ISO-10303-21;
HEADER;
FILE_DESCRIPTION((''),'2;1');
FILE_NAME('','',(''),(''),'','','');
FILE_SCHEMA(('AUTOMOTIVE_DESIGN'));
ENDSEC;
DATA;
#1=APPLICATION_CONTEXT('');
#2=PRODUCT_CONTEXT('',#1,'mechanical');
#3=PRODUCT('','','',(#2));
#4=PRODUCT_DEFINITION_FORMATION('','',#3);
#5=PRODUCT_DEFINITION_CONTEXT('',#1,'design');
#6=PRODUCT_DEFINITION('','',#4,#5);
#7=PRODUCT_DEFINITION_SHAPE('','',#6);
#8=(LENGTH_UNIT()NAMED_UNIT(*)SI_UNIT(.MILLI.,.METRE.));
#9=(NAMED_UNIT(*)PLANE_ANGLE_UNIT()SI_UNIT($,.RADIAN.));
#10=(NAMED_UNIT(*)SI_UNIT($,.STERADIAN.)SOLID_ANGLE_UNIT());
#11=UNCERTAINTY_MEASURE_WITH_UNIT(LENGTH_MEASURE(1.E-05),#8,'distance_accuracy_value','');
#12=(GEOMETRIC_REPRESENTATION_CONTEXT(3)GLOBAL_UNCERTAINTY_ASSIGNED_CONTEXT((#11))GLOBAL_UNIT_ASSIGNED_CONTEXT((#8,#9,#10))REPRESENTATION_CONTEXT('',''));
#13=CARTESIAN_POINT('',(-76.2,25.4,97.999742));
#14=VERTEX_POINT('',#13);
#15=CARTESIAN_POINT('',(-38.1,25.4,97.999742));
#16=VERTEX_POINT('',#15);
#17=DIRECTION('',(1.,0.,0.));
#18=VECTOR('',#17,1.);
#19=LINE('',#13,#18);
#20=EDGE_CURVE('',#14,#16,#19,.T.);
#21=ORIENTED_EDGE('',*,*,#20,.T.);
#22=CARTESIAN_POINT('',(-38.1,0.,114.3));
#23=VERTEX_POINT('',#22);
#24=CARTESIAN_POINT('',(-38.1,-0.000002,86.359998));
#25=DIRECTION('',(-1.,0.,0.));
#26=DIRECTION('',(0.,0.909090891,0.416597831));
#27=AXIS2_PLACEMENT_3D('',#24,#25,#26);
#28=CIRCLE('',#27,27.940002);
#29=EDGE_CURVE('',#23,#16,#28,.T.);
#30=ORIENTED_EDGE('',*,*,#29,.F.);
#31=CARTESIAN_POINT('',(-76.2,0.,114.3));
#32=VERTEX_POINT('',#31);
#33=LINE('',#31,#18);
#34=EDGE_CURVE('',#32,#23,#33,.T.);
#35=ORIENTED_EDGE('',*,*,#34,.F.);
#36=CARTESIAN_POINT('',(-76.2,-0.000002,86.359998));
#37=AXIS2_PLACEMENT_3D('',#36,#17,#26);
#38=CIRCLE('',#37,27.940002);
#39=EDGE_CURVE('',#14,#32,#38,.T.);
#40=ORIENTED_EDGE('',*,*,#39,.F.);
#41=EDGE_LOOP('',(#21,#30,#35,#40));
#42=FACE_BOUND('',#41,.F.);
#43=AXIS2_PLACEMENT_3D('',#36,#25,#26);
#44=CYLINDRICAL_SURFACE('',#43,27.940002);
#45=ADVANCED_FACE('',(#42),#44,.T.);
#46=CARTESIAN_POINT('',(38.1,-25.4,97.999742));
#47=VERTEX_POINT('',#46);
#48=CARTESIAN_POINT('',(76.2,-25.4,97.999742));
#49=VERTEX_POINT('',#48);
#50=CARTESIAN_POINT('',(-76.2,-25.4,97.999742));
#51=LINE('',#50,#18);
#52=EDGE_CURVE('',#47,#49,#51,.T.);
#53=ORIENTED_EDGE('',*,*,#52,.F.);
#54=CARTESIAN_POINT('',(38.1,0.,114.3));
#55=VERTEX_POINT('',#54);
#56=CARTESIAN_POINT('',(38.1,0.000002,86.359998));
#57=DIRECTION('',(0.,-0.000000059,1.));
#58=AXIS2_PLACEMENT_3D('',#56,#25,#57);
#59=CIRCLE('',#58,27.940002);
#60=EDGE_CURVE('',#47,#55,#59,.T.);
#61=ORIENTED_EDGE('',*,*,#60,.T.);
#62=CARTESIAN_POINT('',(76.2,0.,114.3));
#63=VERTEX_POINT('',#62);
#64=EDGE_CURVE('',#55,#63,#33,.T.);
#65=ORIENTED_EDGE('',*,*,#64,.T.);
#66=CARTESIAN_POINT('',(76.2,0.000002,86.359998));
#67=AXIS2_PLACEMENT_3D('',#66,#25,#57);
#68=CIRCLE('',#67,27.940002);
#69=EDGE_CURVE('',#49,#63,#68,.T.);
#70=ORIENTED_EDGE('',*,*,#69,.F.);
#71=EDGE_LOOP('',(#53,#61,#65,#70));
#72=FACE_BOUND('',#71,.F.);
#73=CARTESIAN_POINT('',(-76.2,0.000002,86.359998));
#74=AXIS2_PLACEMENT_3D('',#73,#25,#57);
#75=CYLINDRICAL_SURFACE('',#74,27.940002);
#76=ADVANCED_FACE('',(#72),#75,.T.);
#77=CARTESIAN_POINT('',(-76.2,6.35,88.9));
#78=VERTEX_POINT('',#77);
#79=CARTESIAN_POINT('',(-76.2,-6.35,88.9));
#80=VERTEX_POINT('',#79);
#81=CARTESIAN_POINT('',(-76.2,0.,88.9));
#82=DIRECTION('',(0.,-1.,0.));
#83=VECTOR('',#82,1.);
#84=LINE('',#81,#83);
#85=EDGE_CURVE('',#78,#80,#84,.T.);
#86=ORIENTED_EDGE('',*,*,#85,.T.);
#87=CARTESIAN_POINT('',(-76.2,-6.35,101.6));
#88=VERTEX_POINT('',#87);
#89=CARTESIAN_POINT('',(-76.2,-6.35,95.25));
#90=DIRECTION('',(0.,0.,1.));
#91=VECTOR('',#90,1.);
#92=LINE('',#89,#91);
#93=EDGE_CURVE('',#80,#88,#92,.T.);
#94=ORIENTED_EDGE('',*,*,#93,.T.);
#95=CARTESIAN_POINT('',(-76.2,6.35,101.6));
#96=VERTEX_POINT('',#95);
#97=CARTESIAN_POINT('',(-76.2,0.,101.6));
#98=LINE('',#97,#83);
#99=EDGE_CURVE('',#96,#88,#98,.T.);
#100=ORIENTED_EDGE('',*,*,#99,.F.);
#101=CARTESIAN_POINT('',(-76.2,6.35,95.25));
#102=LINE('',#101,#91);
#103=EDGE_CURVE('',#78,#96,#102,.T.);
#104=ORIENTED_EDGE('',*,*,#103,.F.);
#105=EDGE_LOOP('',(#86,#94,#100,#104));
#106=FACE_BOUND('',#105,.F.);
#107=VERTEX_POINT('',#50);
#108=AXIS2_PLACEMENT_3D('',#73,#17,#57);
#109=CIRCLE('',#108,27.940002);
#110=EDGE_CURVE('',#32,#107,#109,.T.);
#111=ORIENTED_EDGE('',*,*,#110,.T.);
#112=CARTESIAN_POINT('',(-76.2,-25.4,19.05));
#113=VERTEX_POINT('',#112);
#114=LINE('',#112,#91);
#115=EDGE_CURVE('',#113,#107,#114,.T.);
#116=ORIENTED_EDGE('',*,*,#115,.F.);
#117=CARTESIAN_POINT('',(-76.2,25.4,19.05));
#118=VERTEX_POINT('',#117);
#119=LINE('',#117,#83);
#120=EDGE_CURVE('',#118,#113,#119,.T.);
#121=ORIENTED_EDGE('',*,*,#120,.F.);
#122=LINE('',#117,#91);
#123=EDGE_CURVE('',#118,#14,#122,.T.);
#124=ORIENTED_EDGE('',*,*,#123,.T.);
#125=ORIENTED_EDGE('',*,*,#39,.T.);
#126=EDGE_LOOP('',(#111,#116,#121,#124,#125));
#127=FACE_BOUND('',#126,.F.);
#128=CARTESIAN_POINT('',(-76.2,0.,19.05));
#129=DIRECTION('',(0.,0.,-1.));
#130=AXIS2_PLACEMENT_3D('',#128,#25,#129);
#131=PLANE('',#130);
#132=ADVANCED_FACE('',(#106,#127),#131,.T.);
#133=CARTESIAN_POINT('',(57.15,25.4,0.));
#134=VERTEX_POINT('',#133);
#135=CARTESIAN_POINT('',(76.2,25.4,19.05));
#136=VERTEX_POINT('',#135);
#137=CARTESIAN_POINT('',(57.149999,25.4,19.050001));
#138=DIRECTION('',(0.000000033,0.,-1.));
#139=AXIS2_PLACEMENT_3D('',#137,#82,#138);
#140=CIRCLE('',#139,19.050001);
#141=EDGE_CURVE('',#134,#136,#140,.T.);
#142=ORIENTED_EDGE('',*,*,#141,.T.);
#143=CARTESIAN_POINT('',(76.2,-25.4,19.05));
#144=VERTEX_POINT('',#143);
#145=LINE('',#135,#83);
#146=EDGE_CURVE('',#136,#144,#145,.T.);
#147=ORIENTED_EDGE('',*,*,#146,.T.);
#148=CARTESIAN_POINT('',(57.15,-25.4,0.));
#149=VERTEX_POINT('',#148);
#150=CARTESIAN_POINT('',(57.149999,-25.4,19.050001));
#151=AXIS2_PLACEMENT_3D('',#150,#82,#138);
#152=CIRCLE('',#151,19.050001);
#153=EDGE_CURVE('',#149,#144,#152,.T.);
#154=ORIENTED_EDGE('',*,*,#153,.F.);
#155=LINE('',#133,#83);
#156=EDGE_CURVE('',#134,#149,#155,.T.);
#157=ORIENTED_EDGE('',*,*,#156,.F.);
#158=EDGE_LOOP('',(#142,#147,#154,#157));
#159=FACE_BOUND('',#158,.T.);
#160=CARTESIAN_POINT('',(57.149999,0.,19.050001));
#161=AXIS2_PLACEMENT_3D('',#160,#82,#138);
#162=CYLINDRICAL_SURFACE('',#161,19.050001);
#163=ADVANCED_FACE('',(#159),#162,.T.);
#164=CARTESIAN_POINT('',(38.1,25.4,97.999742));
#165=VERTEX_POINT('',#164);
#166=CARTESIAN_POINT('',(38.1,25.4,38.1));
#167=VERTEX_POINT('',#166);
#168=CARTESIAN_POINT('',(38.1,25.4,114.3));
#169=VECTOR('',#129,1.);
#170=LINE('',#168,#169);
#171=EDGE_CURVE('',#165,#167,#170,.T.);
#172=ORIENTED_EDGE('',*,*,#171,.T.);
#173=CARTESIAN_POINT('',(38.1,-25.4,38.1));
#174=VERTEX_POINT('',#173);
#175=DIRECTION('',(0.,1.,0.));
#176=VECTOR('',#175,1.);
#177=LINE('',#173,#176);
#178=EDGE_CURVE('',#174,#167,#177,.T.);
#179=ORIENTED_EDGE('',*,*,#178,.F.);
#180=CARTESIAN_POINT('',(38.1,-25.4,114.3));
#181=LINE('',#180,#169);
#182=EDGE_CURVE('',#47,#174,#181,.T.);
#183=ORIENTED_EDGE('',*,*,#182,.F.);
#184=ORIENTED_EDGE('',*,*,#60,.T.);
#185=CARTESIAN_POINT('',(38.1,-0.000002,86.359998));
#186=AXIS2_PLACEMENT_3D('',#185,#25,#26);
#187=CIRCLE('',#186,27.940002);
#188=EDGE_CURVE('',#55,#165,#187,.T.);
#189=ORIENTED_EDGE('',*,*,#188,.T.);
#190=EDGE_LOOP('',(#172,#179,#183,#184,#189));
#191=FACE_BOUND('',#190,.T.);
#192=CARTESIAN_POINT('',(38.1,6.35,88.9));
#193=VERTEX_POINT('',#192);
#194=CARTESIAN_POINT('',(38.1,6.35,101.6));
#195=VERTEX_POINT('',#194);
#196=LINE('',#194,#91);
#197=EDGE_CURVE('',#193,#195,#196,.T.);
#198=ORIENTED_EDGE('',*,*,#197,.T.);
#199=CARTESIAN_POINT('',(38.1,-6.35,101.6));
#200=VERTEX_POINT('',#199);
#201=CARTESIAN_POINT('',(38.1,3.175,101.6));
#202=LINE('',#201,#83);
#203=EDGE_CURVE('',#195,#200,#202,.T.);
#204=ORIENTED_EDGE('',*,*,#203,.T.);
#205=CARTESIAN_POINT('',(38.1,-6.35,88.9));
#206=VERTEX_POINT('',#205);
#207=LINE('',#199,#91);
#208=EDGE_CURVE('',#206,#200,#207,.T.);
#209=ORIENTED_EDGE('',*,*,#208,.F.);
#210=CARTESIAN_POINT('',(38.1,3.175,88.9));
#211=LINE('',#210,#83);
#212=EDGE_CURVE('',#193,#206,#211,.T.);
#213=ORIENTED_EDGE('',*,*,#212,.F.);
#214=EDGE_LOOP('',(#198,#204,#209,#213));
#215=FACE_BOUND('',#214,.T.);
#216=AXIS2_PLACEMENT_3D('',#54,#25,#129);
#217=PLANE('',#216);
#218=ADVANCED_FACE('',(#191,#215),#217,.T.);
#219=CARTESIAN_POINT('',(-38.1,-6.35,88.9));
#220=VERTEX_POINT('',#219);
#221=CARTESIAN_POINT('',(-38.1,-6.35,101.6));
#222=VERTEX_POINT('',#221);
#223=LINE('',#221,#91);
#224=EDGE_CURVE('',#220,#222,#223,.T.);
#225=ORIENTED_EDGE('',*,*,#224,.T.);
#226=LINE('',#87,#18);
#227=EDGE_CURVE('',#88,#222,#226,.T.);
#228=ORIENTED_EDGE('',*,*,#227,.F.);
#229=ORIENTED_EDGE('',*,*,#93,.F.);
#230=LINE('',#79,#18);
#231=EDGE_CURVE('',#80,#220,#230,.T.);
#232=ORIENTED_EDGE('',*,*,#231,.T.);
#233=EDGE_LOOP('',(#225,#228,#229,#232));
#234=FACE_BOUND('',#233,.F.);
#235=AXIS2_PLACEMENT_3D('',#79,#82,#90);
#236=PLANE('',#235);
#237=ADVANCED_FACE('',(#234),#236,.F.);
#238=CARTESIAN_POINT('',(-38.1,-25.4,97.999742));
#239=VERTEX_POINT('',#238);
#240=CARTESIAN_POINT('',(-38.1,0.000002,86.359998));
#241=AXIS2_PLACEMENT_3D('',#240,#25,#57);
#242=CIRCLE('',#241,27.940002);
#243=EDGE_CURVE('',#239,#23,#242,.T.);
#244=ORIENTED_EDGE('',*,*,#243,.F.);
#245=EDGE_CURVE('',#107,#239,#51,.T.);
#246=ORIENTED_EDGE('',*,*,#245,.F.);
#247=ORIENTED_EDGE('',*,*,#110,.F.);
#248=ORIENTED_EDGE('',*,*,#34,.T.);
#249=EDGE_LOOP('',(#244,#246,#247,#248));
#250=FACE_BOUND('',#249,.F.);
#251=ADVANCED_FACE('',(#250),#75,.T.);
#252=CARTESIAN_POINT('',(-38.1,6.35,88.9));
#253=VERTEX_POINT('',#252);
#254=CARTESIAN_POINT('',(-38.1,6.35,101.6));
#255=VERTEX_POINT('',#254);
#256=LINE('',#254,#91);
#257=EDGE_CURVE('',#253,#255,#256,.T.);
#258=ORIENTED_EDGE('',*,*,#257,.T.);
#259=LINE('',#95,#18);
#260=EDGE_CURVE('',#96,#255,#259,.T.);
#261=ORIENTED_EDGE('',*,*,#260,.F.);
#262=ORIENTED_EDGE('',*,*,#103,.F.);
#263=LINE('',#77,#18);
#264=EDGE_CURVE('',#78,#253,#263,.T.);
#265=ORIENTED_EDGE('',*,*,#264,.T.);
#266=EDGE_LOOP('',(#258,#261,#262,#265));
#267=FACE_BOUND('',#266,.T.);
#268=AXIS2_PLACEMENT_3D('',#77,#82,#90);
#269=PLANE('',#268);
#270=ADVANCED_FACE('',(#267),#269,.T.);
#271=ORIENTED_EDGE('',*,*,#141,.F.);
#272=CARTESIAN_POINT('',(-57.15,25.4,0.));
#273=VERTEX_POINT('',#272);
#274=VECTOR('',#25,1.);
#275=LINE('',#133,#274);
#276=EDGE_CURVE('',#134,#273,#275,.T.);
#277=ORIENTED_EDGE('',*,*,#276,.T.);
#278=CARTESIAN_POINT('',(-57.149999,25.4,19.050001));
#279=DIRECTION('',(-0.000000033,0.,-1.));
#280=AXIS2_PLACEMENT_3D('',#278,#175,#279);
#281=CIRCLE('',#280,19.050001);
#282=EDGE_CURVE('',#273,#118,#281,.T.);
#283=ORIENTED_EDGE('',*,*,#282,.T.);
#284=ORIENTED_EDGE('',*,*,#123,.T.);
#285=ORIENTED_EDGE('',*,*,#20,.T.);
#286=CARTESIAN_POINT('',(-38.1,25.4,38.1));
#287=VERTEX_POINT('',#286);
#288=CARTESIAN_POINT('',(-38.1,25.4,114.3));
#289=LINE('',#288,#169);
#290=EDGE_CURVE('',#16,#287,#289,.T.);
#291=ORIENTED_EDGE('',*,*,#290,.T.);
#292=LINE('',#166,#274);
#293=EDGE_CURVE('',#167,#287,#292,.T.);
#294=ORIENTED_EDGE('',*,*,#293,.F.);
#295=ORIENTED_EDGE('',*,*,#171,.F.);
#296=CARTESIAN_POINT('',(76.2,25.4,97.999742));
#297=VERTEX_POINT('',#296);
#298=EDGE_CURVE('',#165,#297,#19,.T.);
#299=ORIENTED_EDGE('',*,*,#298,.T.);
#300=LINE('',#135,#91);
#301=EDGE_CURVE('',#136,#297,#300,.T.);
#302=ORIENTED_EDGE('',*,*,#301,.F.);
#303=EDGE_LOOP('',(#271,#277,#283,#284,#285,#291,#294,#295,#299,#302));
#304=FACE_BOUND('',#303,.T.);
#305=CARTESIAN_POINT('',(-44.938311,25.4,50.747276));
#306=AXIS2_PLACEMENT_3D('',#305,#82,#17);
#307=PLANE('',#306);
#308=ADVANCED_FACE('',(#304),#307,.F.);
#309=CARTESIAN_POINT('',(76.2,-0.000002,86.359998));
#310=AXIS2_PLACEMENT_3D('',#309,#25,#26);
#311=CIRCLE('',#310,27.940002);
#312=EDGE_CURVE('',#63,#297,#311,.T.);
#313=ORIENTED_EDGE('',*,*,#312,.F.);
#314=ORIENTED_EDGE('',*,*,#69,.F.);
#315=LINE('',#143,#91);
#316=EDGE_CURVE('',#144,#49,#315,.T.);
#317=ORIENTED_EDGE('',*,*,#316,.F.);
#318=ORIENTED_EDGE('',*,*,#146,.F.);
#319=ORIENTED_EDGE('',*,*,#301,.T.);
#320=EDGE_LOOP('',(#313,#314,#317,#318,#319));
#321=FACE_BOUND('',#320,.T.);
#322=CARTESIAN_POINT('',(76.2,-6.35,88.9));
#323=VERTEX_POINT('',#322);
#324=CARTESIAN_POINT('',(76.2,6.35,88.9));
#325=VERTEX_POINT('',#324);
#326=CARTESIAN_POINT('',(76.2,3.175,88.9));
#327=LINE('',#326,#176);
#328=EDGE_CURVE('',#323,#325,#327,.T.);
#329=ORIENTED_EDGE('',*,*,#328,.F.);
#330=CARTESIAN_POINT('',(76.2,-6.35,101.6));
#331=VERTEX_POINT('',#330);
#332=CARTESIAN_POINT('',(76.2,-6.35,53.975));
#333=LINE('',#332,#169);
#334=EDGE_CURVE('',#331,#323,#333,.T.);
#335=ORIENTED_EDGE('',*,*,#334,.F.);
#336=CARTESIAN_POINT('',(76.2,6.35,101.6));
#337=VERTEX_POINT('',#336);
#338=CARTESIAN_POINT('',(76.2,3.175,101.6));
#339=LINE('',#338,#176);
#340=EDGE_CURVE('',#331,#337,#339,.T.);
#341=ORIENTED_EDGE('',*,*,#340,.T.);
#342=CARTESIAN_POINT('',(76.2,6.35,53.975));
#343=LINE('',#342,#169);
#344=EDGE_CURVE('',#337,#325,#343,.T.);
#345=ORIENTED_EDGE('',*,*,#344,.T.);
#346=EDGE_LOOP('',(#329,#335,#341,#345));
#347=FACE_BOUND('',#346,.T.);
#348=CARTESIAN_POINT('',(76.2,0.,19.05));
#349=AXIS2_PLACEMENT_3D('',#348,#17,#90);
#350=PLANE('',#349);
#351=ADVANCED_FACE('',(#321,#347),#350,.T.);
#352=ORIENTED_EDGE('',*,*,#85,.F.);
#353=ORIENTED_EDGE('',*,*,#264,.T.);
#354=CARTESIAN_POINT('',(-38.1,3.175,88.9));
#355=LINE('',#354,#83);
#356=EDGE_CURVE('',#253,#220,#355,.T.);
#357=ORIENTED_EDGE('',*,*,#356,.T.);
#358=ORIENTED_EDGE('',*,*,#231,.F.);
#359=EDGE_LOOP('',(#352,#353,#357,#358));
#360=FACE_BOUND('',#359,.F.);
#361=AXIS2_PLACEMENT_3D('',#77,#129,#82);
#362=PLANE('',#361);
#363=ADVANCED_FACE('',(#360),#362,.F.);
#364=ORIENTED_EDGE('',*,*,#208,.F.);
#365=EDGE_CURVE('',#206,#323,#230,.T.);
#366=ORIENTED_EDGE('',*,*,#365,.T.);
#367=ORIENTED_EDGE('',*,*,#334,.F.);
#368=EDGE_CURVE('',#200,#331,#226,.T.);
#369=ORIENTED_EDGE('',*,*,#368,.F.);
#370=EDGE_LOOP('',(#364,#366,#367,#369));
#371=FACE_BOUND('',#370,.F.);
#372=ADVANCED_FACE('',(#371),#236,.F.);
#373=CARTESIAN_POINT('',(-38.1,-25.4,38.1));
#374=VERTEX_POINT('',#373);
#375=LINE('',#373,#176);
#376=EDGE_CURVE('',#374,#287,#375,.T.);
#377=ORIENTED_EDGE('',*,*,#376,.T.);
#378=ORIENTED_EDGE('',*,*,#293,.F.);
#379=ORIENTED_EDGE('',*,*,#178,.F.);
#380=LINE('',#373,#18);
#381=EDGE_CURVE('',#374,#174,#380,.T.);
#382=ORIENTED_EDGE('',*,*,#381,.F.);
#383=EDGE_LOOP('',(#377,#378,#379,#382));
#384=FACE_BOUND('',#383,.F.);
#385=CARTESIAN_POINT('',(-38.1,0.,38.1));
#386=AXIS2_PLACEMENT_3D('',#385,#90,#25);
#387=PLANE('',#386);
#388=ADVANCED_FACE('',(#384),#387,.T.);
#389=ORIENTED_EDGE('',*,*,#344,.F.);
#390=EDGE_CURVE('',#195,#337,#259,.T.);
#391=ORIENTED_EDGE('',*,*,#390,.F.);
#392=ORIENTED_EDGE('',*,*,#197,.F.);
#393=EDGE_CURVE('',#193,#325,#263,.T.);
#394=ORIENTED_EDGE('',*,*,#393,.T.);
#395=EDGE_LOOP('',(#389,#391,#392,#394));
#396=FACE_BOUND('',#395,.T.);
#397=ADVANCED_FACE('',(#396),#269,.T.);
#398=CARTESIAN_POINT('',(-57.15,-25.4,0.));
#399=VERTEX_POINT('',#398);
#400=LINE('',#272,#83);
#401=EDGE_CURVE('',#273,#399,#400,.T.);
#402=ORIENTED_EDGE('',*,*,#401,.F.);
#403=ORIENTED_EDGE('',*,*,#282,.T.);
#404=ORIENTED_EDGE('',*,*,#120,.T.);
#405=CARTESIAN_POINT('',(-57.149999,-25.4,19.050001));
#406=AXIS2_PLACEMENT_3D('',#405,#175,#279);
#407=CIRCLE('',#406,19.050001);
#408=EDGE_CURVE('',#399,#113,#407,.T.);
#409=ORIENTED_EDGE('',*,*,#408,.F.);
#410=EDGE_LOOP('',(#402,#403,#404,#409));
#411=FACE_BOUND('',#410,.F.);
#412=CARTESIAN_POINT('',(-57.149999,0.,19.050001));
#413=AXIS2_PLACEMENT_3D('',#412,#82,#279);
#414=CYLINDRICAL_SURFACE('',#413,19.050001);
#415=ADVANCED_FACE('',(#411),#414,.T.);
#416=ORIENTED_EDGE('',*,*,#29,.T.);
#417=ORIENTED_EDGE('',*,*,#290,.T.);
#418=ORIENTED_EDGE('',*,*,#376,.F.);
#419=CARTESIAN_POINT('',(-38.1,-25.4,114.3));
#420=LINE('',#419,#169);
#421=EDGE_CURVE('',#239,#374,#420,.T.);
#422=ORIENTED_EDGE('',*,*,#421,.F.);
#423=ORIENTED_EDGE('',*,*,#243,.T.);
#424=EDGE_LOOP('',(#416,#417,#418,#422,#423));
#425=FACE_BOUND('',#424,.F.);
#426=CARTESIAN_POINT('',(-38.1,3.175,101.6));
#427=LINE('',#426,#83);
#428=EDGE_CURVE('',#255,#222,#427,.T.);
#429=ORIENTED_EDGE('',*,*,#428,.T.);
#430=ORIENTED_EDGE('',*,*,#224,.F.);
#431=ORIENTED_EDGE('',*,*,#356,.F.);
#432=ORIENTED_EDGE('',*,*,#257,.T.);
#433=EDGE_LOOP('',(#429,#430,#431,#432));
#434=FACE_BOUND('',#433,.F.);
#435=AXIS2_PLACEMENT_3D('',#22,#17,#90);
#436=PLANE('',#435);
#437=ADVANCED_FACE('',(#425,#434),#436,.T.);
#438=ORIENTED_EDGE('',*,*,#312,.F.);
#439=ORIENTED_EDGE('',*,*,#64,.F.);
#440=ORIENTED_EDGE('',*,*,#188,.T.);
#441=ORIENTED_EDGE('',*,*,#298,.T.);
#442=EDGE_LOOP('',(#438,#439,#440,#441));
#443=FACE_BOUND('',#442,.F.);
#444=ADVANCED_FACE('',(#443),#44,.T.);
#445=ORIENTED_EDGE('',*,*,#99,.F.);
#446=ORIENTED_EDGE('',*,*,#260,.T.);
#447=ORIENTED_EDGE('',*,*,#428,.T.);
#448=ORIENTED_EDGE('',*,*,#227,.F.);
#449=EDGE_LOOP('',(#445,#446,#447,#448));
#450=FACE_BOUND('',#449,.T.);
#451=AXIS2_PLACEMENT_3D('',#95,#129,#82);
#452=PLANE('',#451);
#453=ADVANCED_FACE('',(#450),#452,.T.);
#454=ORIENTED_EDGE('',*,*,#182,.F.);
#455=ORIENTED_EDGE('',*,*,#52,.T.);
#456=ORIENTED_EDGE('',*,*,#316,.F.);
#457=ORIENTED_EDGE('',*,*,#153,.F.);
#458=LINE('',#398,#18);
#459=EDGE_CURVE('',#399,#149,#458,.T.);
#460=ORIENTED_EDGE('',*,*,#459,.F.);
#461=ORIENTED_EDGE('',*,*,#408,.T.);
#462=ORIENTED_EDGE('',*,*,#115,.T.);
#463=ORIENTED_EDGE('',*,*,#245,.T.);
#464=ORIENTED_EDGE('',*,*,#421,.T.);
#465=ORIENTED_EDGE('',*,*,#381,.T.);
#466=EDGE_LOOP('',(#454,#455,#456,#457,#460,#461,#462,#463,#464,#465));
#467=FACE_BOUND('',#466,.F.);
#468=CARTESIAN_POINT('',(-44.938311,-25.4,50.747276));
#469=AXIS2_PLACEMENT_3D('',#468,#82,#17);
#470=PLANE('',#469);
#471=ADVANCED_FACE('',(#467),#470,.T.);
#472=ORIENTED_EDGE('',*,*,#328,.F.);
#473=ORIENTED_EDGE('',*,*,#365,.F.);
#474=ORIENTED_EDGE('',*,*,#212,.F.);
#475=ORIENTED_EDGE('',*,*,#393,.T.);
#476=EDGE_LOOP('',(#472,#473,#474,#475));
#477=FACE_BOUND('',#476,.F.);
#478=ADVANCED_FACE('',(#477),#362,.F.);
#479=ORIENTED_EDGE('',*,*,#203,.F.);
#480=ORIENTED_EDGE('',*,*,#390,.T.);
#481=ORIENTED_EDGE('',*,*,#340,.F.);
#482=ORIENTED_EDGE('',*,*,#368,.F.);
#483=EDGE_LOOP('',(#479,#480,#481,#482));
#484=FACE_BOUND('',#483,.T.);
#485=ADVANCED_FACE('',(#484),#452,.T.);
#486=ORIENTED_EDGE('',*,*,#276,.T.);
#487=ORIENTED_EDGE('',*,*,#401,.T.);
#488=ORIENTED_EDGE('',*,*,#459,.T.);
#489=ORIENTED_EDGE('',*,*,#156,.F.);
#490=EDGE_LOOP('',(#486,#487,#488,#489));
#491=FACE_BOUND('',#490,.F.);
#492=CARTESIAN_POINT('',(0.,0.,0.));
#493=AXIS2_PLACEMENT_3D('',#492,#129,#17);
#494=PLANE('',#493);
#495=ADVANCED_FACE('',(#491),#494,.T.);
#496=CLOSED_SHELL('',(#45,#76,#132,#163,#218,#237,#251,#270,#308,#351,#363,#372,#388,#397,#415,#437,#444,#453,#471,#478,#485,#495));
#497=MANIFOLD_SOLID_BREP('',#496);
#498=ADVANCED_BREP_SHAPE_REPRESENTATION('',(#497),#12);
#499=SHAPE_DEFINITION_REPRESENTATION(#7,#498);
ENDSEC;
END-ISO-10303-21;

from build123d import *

# Parameters (mm, degrees)
F1_DEPTH = 25.4
F3_W     = 12.7
F3_H     = 12.7
F4_DEPTH = 152.401


with BuildPart() as f1:
    # F0 (on Front) → F1 (new body, symmetric)
    with BuildSketch(Plane.XZ):
        with BuildLine():
            Line((0, 38.1), (0, 0))
            Line((0, 0), (38.1, 0))
            Line((38.1, 0), (57.15, 0))
            ThreePointArc((57.15, 0), (70.620384, 5.579616), (76.2, 19.05))
            Line((76.2, 19.05), (76.2, 38.1))
            Line((76.2, 38.1), (76.2, 114.3))
            Line((76.2, 114.3), (38.1, 114.3))
            Line((38.1, 114.3), (38.1, 38.1))
            Line((38.1, 38.1), (0, 38.1))
        make_face()
    extrude(amount=F1_DEPTH, both=True)

    # F2: F1 across plane


with BuildPart() as f1_1:
    add(f1.part)
    add(f1.part.mirror(Plane.YZ))

    # F3 (on face) → F4 (cut, through all)
    with BuildSketch(Plane(origin=(-76.2, 0, 0), x_dir=(0, -1, 0), z_dir=(-1, 0, 0))):
        with BuildLine():
            ThreePointArc((-25.4, 97.999742), (-15.090215, 109.874442), (0, 114.3))
            Line((0, 114.3), (-25.4, 114.3))
            Line((-25.4, 114.3), (-25.4, 97.999742))
        make_face()
        with BuildLine():
            ThreePointArc((0, 114.3), (15.090215, 109.874442), (25.4, 97.999742))
            Line((25.4, 97.999742), (25.4, 114.3))
            Line((25.4, 114.3), (0, 114.3))
        make_face()
        with Locations((0, 95.25)):
            Rectangle(F3_W, F3_H)
    extrude(amount=-F4_DEPTH, mode=Mode.SUBTRACT)


solid = f1_1.part
